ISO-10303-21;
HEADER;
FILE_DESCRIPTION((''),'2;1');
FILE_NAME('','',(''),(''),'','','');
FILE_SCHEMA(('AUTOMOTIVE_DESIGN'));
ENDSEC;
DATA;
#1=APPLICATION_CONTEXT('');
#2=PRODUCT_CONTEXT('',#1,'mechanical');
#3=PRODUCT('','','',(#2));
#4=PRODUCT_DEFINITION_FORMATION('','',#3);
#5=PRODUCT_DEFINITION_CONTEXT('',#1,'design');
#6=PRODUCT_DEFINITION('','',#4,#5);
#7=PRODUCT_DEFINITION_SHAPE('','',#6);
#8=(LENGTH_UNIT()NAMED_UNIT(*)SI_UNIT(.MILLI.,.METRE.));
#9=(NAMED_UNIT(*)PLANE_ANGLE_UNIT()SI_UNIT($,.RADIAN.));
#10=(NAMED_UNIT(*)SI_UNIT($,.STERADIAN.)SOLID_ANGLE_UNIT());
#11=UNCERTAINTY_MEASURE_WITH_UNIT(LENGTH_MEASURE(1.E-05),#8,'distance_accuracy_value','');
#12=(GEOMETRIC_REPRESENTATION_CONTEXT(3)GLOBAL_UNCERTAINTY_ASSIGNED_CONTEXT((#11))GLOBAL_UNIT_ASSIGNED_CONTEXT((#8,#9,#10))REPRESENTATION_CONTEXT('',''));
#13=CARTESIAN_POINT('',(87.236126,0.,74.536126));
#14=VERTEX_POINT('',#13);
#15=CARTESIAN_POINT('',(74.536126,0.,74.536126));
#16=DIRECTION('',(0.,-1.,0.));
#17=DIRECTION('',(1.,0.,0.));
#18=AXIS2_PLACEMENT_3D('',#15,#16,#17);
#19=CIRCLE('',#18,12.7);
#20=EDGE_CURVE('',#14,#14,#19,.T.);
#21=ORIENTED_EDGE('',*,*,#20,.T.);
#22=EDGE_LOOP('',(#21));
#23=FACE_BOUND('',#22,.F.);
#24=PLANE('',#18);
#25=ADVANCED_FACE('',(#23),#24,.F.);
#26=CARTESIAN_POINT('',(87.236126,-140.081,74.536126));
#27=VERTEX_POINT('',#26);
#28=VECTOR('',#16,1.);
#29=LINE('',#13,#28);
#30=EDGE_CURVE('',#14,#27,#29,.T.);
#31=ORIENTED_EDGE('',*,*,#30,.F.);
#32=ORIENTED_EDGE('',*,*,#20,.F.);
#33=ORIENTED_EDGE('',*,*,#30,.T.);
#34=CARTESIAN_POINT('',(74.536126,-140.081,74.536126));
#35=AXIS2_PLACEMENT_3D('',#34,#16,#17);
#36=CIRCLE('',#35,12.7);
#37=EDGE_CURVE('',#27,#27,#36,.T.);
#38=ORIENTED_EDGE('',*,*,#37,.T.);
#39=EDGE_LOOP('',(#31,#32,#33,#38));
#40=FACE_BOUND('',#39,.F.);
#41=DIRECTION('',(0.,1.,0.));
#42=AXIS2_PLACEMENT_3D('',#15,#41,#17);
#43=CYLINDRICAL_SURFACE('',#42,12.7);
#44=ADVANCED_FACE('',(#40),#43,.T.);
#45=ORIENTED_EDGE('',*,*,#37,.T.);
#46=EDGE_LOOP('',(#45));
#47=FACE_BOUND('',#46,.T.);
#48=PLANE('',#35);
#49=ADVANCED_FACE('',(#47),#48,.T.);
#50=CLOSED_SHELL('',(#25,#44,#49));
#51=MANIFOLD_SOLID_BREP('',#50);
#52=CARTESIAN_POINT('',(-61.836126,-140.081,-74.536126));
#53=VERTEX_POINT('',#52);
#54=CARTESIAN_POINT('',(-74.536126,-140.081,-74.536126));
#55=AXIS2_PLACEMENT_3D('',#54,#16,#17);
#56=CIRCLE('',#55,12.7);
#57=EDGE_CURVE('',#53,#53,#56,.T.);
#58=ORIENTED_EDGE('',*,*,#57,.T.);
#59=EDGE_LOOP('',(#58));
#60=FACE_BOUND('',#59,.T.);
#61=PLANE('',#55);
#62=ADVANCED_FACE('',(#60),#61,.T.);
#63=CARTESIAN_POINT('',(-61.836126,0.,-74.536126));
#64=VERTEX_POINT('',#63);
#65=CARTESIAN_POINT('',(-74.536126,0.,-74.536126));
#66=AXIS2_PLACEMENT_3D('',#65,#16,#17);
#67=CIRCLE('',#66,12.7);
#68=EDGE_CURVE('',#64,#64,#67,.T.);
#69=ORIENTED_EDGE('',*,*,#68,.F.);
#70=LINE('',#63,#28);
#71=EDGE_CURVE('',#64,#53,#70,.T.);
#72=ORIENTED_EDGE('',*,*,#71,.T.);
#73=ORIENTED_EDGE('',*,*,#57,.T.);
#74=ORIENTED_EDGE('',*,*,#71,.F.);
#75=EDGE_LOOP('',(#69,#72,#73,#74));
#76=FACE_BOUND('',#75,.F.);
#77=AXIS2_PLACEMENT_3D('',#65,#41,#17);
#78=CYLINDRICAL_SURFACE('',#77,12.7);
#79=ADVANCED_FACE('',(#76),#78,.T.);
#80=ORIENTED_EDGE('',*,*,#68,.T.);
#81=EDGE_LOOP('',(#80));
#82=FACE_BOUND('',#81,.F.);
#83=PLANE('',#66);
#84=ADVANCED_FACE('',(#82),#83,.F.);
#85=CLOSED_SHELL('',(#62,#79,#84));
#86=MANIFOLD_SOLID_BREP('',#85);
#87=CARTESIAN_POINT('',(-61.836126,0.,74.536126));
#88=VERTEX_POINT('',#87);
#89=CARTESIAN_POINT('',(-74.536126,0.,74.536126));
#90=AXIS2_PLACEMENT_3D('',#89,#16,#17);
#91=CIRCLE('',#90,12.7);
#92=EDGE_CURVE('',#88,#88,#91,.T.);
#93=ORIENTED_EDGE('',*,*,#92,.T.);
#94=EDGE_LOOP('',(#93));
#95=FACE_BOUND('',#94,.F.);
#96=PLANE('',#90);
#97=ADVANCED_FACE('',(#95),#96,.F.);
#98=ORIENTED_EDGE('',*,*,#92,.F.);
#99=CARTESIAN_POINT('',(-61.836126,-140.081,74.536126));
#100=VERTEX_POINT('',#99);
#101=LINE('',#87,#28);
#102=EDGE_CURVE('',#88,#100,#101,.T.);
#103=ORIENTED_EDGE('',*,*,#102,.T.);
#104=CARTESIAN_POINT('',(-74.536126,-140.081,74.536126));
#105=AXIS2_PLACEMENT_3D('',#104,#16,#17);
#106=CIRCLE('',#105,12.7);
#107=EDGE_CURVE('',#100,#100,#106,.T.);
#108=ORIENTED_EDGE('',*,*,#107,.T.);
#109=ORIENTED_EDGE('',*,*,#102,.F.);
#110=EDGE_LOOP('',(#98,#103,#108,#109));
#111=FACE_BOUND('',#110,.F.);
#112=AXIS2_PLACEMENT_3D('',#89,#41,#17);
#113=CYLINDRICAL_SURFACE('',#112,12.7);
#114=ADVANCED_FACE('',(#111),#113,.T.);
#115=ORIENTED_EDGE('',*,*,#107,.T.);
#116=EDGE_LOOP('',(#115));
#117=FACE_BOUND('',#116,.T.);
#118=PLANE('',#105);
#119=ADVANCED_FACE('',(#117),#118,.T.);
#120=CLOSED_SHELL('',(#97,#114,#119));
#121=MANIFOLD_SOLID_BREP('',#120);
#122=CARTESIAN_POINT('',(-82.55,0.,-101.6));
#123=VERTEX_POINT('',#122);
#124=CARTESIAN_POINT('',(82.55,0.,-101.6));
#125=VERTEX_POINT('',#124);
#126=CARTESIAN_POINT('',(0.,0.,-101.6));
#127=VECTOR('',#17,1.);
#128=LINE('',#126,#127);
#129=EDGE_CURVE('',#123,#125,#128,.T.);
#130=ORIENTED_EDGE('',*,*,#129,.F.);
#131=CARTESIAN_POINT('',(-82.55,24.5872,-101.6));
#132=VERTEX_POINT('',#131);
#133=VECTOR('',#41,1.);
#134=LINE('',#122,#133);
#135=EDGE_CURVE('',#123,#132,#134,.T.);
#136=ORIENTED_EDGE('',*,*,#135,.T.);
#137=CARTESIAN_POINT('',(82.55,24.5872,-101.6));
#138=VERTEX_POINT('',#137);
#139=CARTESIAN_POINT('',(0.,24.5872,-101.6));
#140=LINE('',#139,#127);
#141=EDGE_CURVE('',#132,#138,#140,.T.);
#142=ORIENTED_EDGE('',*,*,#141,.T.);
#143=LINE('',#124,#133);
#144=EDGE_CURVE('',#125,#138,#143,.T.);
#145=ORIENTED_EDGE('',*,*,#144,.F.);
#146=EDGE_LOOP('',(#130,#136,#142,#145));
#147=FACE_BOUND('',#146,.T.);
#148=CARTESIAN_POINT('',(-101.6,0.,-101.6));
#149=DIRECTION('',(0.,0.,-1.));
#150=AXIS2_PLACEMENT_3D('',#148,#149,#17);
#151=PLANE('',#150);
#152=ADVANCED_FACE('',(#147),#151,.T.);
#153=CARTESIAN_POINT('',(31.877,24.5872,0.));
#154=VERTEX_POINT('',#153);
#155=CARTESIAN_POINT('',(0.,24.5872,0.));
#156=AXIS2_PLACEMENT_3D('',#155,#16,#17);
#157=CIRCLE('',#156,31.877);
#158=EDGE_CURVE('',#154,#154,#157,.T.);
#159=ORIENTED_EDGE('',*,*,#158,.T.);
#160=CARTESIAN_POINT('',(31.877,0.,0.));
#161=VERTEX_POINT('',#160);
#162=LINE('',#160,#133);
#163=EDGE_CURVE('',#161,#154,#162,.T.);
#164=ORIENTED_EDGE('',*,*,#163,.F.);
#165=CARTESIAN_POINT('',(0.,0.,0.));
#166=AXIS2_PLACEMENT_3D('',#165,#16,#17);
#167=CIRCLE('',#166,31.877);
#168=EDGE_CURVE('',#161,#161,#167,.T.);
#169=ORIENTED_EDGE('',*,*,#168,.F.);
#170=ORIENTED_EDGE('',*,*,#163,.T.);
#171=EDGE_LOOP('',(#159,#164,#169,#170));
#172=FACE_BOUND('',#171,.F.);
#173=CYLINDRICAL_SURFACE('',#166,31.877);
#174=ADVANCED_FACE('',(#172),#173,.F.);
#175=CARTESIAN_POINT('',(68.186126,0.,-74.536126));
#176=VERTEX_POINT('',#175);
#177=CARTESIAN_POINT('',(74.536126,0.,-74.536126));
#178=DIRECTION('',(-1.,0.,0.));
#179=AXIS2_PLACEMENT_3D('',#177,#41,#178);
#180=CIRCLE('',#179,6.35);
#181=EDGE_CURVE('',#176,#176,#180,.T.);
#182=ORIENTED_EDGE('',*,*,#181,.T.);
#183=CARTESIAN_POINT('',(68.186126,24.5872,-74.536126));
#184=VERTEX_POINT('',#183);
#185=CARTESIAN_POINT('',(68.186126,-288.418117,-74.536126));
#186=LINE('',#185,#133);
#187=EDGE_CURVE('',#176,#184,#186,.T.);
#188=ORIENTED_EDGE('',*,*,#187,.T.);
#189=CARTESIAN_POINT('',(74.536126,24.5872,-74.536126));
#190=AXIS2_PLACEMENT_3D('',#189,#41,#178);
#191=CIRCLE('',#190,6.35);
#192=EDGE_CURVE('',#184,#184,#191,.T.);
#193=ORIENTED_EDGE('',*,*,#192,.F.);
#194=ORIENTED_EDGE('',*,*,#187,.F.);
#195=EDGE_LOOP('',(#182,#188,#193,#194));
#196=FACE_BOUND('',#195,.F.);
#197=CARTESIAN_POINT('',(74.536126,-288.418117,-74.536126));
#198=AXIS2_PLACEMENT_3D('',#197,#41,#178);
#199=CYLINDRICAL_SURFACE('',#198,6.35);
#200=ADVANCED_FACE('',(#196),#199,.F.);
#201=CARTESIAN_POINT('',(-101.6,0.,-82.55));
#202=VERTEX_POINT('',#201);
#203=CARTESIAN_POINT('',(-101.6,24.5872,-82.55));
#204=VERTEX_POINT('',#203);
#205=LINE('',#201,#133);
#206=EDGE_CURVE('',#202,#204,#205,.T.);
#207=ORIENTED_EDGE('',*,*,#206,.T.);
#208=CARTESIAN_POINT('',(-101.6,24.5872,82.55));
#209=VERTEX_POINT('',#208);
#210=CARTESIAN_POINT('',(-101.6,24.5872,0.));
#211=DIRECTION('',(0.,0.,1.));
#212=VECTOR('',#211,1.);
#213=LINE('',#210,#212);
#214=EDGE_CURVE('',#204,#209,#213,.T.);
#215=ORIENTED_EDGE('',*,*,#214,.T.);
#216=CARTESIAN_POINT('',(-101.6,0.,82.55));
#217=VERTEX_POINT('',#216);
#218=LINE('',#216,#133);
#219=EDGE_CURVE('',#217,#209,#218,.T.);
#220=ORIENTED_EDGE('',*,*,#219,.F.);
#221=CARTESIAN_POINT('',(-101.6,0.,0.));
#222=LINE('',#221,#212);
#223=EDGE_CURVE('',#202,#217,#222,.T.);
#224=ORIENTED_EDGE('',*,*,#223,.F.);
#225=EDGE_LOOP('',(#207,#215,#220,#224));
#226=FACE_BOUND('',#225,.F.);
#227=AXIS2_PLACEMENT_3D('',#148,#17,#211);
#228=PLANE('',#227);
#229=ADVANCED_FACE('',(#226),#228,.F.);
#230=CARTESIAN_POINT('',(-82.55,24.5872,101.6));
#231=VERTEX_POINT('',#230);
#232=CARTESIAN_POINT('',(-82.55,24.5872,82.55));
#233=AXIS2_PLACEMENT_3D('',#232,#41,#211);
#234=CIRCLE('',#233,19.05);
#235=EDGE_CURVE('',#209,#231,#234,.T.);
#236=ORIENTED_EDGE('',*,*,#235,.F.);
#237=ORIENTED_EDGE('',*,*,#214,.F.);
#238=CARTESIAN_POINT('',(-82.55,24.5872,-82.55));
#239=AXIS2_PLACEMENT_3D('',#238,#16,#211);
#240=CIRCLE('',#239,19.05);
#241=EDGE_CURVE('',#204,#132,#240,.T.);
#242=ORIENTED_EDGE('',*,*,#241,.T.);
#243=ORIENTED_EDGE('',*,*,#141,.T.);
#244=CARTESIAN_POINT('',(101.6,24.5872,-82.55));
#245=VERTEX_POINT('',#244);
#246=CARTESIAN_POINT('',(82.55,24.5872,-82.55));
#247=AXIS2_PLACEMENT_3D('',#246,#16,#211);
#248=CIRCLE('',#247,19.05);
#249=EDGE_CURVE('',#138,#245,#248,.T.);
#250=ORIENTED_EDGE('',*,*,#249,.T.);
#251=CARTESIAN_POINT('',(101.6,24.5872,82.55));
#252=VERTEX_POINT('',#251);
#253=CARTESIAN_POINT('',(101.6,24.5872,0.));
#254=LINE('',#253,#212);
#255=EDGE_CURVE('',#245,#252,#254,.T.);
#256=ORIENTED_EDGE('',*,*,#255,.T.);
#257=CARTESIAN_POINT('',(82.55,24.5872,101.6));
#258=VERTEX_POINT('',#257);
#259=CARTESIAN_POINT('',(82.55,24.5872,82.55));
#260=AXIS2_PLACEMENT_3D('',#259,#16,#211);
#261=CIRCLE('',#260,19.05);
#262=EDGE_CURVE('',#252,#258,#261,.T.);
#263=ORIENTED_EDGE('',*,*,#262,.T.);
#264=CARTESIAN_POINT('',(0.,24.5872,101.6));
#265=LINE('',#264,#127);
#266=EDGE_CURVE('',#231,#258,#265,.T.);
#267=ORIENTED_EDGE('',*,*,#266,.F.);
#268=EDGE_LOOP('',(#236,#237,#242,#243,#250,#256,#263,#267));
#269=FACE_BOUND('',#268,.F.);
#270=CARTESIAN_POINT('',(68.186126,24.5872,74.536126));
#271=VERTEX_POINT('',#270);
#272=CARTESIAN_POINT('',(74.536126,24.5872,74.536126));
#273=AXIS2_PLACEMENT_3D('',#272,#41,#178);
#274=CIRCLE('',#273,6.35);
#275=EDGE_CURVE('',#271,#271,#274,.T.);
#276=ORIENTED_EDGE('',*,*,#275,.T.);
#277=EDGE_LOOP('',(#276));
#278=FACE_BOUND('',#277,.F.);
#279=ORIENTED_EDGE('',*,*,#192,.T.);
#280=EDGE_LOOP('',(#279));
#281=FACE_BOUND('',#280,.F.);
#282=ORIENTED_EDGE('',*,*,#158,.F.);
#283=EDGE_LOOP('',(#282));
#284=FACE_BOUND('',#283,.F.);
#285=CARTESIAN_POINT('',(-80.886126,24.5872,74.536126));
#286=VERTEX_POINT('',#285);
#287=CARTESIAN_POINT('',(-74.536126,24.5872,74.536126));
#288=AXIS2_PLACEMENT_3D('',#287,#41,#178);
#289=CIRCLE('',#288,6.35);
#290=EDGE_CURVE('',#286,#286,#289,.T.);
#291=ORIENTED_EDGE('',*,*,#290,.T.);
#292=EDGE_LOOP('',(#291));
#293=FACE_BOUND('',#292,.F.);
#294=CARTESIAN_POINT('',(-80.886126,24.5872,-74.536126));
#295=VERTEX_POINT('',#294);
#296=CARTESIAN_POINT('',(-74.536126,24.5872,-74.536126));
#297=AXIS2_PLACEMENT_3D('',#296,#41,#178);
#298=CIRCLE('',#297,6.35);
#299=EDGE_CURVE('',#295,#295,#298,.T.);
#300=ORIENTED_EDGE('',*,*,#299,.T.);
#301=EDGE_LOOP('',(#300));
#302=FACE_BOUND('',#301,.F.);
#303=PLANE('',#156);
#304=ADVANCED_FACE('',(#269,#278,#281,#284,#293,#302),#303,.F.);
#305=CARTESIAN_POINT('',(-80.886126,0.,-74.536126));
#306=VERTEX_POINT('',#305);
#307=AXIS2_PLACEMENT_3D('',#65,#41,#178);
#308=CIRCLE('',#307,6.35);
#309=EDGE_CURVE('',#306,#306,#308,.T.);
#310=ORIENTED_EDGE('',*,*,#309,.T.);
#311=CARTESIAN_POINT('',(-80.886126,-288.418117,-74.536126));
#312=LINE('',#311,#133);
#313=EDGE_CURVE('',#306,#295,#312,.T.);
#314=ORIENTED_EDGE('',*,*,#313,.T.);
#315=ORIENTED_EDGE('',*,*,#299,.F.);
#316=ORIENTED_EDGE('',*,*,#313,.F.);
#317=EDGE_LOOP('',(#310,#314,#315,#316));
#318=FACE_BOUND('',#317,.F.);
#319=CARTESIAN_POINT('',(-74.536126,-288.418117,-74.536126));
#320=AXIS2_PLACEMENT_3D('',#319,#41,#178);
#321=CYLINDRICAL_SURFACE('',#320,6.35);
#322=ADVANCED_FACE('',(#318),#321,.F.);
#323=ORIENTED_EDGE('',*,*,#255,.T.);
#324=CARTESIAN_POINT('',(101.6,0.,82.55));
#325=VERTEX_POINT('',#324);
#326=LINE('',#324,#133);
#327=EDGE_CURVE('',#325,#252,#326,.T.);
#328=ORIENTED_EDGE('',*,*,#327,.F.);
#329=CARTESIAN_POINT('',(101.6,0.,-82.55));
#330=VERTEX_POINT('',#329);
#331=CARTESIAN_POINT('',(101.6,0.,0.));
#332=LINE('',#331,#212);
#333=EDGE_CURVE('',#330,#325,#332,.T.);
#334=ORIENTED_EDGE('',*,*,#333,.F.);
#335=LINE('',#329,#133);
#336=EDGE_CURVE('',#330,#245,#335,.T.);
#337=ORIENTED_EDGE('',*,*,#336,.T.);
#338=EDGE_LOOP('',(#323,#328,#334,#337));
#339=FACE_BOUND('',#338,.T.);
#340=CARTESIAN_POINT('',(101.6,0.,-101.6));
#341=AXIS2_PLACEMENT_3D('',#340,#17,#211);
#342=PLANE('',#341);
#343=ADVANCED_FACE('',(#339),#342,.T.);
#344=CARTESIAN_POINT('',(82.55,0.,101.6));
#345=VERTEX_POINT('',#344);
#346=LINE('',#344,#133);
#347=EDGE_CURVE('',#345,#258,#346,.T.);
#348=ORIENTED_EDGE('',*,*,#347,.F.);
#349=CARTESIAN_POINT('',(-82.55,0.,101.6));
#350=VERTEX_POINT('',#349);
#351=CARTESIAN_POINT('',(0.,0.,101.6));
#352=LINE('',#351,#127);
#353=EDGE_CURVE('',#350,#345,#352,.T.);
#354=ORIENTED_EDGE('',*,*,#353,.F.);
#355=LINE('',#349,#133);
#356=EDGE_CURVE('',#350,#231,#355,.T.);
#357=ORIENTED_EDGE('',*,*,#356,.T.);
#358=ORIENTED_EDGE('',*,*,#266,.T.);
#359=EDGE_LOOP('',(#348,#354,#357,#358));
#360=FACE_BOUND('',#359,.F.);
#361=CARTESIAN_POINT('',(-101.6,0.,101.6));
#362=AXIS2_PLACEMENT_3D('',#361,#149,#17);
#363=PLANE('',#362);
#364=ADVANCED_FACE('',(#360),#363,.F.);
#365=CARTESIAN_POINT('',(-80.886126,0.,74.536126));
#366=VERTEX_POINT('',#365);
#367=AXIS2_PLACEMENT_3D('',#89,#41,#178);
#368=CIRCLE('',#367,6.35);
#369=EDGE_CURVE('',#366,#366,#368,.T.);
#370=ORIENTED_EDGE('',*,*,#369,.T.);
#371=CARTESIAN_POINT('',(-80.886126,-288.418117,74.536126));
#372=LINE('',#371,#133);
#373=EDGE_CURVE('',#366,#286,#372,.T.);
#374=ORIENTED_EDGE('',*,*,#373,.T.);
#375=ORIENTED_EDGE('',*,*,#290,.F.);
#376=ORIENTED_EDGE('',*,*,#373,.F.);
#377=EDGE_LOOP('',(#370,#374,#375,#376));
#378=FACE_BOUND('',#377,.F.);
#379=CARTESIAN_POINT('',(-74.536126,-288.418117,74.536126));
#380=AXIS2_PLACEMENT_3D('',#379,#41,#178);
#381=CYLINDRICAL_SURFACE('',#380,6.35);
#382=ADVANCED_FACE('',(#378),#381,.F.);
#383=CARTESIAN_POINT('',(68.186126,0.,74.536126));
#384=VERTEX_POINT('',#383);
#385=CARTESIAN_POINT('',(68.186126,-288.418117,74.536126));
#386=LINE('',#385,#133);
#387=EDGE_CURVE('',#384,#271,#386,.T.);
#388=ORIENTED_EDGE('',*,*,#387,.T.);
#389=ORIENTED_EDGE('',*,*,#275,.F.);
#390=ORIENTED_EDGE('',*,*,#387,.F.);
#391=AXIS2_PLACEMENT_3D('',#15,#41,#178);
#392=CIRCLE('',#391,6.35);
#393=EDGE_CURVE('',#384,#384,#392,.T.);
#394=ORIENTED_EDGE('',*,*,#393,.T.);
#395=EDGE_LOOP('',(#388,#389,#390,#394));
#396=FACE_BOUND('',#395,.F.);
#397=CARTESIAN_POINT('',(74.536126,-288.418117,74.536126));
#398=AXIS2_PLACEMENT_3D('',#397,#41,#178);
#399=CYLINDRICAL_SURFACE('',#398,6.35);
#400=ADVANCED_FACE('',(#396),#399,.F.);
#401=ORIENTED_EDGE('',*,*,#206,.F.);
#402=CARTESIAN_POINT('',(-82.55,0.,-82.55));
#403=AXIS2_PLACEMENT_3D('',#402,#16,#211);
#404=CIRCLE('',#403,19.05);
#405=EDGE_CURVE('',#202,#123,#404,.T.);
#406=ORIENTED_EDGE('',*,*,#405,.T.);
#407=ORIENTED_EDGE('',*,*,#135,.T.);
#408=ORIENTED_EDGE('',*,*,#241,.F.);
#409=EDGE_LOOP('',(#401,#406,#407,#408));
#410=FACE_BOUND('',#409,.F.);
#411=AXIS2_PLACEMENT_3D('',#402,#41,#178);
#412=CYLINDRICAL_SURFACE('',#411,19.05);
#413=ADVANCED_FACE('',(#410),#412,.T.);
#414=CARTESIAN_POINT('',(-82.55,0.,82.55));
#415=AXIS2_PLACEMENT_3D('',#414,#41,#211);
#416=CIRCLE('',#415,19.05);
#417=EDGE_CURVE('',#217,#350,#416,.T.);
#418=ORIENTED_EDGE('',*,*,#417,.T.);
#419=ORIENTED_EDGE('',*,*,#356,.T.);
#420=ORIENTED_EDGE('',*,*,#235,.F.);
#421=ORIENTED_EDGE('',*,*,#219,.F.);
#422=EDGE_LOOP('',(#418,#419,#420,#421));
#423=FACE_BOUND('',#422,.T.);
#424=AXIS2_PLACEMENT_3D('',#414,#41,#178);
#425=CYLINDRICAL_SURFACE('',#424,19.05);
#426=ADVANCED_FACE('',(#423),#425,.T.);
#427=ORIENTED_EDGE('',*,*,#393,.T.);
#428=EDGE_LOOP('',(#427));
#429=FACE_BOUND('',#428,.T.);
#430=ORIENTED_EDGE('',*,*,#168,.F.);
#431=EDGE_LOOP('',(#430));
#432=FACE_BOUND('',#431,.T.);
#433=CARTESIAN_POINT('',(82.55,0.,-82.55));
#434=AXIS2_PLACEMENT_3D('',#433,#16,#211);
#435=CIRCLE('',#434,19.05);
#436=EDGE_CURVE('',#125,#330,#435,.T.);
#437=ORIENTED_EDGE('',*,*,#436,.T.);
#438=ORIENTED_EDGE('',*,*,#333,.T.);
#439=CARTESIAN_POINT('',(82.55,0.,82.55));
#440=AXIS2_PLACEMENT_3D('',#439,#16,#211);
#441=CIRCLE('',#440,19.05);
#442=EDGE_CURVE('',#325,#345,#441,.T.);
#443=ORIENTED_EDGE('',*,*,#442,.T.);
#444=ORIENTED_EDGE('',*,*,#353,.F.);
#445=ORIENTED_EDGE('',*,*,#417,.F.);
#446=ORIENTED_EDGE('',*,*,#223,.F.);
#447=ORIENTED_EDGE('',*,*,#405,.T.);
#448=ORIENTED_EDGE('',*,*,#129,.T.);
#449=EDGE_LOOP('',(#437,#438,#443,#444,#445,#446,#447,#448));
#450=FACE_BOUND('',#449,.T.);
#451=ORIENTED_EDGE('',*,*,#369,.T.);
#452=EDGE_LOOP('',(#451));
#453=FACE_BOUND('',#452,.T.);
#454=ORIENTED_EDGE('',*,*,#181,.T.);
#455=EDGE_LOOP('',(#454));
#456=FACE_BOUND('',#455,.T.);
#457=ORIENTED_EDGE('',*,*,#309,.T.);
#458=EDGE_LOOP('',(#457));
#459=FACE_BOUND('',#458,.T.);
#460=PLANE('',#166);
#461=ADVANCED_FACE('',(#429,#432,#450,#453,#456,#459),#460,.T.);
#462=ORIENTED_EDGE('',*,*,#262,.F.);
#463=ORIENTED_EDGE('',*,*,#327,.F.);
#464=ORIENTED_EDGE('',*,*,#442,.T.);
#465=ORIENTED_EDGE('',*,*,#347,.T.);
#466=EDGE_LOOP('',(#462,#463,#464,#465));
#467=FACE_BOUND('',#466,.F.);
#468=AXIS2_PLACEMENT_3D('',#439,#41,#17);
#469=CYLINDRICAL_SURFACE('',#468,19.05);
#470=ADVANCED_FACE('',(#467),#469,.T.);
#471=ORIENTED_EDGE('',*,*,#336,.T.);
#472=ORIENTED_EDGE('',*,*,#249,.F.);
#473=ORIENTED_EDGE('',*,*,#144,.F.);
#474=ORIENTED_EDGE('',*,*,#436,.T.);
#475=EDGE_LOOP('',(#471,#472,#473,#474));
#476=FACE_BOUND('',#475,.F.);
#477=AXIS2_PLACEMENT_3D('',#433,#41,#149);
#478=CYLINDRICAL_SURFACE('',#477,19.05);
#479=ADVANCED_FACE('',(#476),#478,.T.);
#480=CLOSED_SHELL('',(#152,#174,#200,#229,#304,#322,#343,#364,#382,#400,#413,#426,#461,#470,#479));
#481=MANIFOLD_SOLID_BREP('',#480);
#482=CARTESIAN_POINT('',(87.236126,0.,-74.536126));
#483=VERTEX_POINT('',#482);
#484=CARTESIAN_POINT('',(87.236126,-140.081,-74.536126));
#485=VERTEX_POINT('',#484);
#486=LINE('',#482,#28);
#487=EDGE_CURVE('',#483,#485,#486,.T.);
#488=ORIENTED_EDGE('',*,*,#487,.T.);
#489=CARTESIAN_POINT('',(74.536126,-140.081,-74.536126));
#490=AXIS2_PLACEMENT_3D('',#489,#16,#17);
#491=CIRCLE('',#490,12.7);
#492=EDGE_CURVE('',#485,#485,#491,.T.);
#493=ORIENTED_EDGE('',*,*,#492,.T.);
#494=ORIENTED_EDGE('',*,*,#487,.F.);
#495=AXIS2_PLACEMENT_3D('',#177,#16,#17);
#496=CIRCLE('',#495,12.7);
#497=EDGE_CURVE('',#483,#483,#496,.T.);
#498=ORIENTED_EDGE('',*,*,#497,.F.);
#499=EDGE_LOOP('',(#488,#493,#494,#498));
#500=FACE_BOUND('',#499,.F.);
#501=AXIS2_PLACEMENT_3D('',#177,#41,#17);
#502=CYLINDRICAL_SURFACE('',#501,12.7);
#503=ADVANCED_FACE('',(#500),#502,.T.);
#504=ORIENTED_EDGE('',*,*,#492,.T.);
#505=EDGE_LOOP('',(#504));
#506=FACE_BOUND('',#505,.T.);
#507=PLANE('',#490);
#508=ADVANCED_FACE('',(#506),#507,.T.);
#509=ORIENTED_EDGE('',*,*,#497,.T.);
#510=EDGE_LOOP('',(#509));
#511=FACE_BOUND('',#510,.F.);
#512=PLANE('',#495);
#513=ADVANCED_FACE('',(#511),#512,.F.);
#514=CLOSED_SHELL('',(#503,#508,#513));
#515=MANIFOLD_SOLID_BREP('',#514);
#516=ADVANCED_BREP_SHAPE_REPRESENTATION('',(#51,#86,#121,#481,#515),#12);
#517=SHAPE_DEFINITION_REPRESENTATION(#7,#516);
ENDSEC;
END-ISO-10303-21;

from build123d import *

# Parameters (mm, degrees)
F0_W     = 203.2
F0_H     = 203.2
F1_DEPTH = 24.5872
F2_R     = 19.05
F3_R     = 31.877
F4_DEPTH = 24.5882
F6_D     = 12.7
F7_R     = 12.7
F8_DEPTH = 140.081


with BuildPart() as f1:
    # F0 (on Front) → F1 (new body)
    with BuildSketch(Plane.XZ):
        Rectangle(F0_W, F0_H)
    extrude(amount=-F1_DEPTH)

    # F2
    f2_edges = [f1.edges().sort_by_distance(p)[0] for p in [
        (-101.6, 12.2936, 101.6),
        (101.6, 12.2936, 101.6),
        (-101.6, 12.2936, -101.6),
        (101.6, 12.2936, -101.6),
    ]]
    fillet(f2_edges, radius=F2_R)

    # F3 (on face) → F4 (cut, through all)
    with BuildSketch(Plane.XZ):
        Circle(F3_R)
    extrude(amount=-F4_DEPTH, mode=Mode.SUBTRACT)

    # F6 (through all)
    with Locations(Plane.XZ):
        with Locations((-74.536126, 74.536126), (74.536126, 74.536126), (74.536126, -74.536126), (-74.536126, -74.536126)):
            Hole(F6_D / 2)


with BuildPart() as f8:
    # F7 (on face) → F8 (new body)
    with BuildSketch(Plane.XZ):
        with Locations((-74.536126, 74.536126)):
            Circle(F7_R)
        with Locations((-74.536126, -74.536126)):
            Circle(F7_R)
        with Locations((74.536126, -74.536126)):
            Circle(F7_R)
        with Locations((74.536126, 74.536126)):
            Circle(F7_R)
    extrude(amount=F8_DEPTH)


solid = Compound([f1.part, f8.part])
